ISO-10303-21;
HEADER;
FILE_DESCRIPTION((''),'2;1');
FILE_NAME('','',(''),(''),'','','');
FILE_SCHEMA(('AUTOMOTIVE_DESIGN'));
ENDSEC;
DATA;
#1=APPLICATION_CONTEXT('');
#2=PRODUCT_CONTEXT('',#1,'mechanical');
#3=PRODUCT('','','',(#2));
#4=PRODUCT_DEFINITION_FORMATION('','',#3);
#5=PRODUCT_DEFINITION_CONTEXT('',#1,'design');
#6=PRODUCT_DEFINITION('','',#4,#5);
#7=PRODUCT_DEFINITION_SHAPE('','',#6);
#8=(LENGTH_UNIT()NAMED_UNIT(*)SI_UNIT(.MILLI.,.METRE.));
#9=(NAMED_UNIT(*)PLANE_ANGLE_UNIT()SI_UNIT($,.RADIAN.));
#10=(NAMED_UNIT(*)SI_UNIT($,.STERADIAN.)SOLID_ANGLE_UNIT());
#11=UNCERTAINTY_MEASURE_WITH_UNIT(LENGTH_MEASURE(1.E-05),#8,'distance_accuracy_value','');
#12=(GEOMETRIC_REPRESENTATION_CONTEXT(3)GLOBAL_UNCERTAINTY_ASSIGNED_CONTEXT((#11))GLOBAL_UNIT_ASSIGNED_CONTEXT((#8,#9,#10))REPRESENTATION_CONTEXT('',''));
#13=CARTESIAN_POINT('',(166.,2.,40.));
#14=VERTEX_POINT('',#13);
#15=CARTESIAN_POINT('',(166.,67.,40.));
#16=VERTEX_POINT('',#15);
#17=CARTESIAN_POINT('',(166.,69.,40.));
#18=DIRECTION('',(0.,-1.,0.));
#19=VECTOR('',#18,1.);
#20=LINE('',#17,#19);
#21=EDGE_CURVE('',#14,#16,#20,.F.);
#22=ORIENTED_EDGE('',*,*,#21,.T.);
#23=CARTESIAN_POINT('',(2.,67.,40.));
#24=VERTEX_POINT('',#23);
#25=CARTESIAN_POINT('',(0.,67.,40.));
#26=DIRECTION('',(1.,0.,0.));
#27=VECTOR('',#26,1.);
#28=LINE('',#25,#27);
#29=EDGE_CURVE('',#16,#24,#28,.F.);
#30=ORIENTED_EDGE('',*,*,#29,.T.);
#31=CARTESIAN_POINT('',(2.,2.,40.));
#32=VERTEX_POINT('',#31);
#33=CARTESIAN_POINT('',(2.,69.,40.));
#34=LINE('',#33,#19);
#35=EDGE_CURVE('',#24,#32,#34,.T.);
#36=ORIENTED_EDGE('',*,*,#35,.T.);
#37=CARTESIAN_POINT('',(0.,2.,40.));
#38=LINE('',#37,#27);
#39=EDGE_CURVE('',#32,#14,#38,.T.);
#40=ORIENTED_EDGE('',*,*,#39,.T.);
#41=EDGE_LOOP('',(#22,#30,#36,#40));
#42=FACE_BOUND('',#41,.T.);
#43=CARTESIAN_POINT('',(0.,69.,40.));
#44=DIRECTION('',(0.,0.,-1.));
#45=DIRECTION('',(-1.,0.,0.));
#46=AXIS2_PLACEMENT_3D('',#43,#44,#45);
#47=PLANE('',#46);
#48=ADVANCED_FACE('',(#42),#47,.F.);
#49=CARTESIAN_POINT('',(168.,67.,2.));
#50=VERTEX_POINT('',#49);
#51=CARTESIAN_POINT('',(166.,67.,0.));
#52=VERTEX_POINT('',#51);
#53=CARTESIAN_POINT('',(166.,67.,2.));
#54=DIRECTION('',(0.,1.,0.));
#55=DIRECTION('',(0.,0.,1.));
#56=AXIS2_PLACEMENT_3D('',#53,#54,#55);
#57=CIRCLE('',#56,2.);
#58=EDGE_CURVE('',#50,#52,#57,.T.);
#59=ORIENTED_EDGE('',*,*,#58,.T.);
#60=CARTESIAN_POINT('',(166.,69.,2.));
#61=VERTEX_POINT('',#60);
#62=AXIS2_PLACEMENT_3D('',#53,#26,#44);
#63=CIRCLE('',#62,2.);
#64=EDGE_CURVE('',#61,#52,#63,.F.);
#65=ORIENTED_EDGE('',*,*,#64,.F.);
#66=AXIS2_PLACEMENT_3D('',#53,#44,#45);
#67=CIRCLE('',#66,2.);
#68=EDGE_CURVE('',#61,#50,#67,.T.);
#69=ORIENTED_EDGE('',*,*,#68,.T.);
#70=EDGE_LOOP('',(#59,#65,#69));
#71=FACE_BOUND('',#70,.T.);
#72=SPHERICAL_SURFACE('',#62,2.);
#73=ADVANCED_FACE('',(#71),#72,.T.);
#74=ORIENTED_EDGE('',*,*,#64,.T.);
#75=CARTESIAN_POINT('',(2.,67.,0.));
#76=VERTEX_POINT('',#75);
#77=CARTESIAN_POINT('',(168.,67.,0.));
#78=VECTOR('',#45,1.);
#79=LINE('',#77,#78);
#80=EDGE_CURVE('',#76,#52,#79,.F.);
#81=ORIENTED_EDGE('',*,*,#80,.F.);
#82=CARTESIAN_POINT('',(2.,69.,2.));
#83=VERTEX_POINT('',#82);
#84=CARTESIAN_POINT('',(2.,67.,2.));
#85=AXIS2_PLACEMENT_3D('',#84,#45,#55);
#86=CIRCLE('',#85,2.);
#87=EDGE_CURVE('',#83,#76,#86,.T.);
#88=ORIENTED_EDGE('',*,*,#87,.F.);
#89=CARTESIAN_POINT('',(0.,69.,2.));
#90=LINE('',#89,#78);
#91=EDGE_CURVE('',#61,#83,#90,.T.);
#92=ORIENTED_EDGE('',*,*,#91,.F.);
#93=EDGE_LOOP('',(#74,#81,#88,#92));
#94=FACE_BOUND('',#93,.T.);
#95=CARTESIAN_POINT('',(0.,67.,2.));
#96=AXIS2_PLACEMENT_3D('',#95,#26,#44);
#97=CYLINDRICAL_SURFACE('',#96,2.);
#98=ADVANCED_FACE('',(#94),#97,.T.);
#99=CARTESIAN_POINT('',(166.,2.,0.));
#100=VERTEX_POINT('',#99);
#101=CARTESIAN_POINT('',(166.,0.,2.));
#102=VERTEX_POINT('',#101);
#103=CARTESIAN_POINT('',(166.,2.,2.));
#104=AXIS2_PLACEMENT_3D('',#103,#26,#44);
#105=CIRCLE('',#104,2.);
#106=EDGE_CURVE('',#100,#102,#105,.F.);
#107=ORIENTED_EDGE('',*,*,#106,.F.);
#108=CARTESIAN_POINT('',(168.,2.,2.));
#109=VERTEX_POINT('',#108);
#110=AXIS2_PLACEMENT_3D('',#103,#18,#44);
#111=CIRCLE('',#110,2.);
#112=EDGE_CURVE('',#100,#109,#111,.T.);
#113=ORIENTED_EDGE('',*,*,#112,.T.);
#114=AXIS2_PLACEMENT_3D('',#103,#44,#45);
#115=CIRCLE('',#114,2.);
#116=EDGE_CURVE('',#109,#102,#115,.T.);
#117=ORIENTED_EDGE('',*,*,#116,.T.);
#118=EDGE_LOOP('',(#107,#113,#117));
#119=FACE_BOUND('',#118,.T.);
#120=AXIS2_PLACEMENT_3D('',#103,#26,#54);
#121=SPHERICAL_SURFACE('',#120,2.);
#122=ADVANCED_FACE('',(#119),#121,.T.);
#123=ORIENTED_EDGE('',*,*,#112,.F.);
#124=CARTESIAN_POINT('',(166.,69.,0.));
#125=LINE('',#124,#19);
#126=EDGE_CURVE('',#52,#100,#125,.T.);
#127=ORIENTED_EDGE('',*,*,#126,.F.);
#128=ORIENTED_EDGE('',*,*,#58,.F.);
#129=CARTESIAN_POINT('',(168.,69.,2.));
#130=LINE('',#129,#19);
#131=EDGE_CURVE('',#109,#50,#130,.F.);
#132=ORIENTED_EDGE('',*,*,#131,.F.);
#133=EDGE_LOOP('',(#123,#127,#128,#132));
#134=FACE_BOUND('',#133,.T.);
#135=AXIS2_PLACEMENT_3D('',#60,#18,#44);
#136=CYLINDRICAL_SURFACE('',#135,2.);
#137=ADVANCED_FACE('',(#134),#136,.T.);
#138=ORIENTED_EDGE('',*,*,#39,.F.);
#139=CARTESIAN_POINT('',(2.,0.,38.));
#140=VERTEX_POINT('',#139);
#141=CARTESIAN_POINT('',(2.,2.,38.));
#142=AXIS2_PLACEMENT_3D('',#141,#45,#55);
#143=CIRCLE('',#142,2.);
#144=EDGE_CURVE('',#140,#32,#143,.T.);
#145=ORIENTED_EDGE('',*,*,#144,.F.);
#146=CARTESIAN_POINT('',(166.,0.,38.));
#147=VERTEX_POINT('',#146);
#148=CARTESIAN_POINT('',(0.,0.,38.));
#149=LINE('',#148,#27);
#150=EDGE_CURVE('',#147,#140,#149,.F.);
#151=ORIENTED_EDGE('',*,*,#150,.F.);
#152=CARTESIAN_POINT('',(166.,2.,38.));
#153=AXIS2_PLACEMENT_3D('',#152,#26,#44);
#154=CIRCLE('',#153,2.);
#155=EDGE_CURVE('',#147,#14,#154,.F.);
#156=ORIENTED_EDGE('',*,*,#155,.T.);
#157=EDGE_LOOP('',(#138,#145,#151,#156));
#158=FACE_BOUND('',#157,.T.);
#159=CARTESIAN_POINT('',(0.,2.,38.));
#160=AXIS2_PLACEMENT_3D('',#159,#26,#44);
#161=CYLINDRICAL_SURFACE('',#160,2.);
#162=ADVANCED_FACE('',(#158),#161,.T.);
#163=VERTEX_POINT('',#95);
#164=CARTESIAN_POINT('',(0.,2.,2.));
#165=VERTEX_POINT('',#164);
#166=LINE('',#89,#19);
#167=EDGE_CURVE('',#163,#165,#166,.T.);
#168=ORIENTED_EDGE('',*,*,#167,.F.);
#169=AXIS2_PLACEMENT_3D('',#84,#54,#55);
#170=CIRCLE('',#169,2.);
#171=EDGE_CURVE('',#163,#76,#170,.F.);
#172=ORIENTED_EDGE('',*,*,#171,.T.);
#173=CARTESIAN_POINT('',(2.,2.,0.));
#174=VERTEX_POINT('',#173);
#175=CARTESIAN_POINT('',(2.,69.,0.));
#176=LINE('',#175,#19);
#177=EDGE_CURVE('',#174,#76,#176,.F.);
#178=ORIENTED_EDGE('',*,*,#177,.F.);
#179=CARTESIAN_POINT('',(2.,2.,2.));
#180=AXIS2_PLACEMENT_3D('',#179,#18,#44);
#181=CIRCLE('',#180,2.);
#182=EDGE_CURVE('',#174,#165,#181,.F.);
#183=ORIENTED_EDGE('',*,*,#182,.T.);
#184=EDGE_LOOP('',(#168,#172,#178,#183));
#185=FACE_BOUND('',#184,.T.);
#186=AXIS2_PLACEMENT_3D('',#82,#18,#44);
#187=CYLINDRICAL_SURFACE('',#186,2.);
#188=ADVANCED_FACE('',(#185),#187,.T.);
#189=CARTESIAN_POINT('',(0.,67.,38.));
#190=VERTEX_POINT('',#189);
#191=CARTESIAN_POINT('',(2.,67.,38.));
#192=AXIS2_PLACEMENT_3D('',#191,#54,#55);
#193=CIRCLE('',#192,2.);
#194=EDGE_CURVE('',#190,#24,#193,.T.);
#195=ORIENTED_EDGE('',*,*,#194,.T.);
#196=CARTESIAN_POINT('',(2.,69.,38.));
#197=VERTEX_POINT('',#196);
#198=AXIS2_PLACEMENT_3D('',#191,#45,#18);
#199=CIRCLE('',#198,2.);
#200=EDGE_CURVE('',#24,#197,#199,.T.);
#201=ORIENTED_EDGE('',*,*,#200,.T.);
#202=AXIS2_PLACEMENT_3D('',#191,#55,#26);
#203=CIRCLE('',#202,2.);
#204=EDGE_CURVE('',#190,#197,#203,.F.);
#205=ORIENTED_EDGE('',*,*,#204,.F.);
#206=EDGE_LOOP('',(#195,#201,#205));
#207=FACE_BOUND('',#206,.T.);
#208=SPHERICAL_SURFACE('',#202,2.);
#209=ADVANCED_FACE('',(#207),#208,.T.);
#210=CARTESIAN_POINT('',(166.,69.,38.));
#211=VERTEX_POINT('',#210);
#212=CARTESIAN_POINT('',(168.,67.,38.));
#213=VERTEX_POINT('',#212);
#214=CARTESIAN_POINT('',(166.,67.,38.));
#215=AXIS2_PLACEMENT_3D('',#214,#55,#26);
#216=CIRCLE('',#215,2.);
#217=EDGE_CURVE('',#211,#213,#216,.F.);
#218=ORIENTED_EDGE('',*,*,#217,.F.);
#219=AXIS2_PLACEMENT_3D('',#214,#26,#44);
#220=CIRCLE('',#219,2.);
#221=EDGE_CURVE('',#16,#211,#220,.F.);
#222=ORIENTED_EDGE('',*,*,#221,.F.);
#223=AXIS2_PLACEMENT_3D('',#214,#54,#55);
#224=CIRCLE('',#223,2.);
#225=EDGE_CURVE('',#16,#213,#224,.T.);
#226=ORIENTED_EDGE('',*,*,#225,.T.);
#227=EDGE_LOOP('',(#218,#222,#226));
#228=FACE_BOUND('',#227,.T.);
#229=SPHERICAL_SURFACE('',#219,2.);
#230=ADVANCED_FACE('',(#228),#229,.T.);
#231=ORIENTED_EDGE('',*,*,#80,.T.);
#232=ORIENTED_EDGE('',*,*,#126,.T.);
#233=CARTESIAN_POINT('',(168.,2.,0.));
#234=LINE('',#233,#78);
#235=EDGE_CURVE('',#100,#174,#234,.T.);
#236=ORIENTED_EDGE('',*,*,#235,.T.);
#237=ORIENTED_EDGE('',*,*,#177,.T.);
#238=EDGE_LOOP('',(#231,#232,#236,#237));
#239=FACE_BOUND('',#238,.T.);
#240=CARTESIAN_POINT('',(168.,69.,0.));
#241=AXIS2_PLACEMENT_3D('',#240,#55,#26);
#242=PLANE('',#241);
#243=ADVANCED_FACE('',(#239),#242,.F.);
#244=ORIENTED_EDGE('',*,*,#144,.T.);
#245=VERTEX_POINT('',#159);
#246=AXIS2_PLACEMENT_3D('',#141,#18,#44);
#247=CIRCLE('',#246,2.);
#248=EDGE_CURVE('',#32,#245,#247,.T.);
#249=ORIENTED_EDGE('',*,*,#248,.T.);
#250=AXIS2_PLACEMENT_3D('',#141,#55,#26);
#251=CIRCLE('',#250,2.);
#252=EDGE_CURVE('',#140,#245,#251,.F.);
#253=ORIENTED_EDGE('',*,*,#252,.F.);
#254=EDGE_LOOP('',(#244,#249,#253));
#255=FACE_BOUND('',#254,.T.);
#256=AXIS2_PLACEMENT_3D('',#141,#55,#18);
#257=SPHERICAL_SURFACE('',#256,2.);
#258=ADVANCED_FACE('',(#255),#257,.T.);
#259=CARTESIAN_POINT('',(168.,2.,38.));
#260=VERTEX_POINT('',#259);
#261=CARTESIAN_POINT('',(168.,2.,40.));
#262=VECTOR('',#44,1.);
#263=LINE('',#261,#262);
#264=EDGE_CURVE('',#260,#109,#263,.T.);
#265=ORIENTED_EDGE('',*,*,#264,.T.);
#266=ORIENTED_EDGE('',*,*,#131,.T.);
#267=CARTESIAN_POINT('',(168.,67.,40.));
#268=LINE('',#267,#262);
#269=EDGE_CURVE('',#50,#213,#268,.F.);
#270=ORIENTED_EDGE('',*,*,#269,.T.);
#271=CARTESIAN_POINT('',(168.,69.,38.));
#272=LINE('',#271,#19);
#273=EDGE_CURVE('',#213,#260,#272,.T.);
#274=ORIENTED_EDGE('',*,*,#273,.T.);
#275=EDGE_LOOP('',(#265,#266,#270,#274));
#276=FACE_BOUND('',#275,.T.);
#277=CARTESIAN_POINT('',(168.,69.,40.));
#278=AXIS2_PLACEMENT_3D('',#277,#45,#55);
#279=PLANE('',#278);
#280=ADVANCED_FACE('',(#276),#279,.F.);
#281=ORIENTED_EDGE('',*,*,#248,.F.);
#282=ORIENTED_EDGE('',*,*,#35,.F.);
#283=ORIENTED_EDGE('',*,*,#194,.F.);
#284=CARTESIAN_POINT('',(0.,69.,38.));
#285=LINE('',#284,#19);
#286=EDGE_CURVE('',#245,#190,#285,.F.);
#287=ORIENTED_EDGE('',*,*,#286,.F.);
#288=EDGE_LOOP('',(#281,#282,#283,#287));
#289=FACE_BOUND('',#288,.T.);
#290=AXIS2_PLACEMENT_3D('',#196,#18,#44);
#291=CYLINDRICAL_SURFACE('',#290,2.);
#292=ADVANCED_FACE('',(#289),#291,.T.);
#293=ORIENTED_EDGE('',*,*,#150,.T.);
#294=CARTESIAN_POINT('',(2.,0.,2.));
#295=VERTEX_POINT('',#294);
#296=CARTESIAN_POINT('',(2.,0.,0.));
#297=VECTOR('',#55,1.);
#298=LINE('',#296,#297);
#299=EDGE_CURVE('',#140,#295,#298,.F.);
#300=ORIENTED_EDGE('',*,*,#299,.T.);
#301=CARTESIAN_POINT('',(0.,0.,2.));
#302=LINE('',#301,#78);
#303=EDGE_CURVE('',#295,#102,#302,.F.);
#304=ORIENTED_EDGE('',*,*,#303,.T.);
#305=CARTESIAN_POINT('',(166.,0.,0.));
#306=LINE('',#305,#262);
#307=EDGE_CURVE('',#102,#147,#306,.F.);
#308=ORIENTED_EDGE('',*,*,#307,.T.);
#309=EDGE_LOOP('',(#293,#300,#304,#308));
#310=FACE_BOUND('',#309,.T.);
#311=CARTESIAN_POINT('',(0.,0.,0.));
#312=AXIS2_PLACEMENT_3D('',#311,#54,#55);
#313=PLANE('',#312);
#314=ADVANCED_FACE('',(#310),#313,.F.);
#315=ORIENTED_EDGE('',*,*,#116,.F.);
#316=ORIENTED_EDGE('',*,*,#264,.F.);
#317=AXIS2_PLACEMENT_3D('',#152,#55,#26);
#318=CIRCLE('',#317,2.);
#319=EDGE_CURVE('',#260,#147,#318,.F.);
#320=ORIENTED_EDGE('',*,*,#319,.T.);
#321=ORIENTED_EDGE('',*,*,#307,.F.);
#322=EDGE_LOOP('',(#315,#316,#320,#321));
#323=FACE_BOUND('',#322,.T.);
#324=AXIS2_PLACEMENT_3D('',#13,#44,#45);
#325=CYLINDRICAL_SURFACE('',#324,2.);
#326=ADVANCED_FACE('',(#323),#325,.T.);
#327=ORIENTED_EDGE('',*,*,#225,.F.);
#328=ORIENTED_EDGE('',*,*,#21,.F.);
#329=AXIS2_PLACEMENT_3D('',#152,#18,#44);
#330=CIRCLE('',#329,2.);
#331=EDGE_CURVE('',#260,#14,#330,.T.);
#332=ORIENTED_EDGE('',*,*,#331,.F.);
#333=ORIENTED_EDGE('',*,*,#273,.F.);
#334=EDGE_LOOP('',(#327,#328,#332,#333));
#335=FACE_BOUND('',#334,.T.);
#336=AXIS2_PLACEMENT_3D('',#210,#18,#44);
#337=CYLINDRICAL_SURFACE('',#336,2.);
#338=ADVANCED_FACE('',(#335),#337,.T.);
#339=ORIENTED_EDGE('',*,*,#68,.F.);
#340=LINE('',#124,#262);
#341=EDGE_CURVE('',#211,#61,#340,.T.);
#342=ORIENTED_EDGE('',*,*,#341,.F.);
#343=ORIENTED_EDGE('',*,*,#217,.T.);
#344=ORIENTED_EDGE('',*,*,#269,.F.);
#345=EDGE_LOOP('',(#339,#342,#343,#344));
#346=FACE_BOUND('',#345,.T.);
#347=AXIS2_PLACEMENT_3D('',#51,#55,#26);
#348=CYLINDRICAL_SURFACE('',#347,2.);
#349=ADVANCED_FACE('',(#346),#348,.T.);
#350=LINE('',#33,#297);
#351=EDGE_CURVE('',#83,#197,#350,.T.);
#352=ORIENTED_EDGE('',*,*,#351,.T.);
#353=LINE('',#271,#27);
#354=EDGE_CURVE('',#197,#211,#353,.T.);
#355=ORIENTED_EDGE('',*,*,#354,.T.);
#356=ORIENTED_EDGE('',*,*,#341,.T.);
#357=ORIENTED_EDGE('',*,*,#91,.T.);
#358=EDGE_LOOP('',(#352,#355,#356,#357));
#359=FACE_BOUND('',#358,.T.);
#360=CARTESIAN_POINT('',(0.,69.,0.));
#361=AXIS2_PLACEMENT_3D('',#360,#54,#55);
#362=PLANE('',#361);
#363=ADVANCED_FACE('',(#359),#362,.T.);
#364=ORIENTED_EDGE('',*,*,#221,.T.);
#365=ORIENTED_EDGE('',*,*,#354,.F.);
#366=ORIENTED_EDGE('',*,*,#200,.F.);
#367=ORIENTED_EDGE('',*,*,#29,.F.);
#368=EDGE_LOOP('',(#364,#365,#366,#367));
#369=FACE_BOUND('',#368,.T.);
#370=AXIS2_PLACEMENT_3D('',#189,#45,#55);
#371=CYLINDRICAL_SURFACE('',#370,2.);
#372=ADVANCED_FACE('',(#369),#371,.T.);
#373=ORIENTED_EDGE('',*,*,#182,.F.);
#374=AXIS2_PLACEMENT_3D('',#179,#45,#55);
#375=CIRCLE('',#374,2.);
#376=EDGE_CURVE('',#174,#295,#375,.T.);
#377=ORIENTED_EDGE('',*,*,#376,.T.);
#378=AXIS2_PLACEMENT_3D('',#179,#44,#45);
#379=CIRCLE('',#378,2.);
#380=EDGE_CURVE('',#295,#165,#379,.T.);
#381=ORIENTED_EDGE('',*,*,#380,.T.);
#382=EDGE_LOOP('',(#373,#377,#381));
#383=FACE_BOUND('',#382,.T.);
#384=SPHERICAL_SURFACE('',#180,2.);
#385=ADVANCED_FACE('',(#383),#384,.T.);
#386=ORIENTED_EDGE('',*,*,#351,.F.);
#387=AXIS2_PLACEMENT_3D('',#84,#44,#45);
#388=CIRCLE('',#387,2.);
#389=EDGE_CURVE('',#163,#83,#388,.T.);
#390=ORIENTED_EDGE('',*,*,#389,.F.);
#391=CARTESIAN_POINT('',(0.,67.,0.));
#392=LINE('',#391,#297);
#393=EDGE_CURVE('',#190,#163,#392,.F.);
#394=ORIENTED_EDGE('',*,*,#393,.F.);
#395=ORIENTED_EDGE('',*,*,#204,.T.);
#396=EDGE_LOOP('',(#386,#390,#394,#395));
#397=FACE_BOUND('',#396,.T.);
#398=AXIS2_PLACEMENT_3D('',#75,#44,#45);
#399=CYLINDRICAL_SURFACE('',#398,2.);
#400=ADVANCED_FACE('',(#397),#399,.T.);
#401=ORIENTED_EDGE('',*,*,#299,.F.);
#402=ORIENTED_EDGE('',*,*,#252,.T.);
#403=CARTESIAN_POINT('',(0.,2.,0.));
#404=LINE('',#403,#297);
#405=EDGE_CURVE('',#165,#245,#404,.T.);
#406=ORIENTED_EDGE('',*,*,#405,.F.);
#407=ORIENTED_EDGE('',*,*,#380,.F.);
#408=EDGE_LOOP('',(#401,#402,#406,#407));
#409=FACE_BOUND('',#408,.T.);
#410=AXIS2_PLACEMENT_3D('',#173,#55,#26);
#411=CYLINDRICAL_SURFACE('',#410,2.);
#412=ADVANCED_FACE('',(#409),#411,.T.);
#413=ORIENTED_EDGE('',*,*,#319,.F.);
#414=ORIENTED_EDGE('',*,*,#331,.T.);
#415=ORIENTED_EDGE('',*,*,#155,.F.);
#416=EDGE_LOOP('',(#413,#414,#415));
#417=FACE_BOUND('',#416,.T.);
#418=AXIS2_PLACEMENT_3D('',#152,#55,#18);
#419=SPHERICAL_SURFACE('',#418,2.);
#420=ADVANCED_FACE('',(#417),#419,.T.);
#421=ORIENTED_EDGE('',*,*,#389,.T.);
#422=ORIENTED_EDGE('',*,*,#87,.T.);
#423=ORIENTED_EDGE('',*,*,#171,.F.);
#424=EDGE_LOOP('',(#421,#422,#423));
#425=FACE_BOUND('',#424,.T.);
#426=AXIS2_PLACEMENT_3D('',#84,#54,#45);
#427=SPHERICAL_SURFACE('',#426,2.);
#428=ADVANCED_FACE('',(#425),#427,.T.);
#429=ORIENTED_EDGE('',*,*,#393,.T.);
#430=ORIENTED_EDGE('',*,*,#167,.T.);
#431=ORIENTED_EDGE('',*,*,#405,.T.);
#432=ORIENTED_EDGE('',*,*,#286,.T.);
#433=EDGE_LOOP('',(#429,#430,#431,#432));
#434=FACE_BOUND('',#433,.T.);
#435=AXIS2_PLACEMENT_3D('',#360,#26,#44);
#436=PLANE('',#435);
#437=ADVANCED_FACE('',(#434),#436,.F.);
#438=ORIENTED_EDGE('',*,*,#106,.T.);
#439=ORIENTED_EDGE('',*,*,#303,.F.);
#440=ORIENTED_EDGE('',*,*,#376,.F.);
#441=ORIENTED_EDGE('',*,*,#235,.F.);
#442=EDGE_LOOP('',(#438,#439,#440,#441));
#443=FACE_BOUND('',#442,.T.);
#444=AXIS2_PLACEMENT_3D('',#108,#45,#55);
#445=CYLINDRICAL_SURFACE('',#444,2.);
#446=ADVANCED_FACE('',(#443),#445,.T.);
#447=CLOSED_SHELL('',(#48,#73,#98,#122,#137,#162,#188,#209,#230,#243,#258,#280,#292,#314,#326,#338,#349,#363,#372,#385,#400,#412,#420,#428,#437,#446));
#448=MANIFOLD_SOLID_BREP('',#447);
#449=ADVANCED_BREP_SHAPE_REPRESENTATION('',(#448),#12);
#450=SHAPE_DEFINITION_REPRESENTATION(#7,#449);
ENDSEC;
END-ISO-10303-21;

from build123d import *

# Parameters (mm, degrees)
SKETCH1_W           = 168
SKETCH1_H           = 40
BOSS_EXTRUDE1_DEPTH = 69
FILLET1_R           = 2


with BuildPart() as part:
    # Sketch1 → Boss-Extrude1 (new body)
    with BuildSketch(Plane(origin=(0, 0, 0), x_dir=(1, 0, 0), z_dir=(0, 1, 0))):
        with Locations((84, -20)):
            Rectangle(SKETCH1_W, SKETCH1_H)
    extrude(amount=BOSS_EXTRUDE1_DEPTH)

    # Fillet1
    fillet1_edges = [part.edges().sort_by_distance(p)[0] for p in [
        (84, 69, 40),
        (168, 69, 20),
        (84, 69, 0),
        (168, 0, 20),
        (84, 0, 40),
        (0, 0, 20),
        (84, 0, 0),
        (168, 34.5, 0),
        (168, 34.5, 40),
        (0, 34.5, 40),
        (0, 34.5, 0),
        (0, 69, 20),
    ]]
    fillet(fillet1_edges, radius=FILLET1_R)


solid = part.part
